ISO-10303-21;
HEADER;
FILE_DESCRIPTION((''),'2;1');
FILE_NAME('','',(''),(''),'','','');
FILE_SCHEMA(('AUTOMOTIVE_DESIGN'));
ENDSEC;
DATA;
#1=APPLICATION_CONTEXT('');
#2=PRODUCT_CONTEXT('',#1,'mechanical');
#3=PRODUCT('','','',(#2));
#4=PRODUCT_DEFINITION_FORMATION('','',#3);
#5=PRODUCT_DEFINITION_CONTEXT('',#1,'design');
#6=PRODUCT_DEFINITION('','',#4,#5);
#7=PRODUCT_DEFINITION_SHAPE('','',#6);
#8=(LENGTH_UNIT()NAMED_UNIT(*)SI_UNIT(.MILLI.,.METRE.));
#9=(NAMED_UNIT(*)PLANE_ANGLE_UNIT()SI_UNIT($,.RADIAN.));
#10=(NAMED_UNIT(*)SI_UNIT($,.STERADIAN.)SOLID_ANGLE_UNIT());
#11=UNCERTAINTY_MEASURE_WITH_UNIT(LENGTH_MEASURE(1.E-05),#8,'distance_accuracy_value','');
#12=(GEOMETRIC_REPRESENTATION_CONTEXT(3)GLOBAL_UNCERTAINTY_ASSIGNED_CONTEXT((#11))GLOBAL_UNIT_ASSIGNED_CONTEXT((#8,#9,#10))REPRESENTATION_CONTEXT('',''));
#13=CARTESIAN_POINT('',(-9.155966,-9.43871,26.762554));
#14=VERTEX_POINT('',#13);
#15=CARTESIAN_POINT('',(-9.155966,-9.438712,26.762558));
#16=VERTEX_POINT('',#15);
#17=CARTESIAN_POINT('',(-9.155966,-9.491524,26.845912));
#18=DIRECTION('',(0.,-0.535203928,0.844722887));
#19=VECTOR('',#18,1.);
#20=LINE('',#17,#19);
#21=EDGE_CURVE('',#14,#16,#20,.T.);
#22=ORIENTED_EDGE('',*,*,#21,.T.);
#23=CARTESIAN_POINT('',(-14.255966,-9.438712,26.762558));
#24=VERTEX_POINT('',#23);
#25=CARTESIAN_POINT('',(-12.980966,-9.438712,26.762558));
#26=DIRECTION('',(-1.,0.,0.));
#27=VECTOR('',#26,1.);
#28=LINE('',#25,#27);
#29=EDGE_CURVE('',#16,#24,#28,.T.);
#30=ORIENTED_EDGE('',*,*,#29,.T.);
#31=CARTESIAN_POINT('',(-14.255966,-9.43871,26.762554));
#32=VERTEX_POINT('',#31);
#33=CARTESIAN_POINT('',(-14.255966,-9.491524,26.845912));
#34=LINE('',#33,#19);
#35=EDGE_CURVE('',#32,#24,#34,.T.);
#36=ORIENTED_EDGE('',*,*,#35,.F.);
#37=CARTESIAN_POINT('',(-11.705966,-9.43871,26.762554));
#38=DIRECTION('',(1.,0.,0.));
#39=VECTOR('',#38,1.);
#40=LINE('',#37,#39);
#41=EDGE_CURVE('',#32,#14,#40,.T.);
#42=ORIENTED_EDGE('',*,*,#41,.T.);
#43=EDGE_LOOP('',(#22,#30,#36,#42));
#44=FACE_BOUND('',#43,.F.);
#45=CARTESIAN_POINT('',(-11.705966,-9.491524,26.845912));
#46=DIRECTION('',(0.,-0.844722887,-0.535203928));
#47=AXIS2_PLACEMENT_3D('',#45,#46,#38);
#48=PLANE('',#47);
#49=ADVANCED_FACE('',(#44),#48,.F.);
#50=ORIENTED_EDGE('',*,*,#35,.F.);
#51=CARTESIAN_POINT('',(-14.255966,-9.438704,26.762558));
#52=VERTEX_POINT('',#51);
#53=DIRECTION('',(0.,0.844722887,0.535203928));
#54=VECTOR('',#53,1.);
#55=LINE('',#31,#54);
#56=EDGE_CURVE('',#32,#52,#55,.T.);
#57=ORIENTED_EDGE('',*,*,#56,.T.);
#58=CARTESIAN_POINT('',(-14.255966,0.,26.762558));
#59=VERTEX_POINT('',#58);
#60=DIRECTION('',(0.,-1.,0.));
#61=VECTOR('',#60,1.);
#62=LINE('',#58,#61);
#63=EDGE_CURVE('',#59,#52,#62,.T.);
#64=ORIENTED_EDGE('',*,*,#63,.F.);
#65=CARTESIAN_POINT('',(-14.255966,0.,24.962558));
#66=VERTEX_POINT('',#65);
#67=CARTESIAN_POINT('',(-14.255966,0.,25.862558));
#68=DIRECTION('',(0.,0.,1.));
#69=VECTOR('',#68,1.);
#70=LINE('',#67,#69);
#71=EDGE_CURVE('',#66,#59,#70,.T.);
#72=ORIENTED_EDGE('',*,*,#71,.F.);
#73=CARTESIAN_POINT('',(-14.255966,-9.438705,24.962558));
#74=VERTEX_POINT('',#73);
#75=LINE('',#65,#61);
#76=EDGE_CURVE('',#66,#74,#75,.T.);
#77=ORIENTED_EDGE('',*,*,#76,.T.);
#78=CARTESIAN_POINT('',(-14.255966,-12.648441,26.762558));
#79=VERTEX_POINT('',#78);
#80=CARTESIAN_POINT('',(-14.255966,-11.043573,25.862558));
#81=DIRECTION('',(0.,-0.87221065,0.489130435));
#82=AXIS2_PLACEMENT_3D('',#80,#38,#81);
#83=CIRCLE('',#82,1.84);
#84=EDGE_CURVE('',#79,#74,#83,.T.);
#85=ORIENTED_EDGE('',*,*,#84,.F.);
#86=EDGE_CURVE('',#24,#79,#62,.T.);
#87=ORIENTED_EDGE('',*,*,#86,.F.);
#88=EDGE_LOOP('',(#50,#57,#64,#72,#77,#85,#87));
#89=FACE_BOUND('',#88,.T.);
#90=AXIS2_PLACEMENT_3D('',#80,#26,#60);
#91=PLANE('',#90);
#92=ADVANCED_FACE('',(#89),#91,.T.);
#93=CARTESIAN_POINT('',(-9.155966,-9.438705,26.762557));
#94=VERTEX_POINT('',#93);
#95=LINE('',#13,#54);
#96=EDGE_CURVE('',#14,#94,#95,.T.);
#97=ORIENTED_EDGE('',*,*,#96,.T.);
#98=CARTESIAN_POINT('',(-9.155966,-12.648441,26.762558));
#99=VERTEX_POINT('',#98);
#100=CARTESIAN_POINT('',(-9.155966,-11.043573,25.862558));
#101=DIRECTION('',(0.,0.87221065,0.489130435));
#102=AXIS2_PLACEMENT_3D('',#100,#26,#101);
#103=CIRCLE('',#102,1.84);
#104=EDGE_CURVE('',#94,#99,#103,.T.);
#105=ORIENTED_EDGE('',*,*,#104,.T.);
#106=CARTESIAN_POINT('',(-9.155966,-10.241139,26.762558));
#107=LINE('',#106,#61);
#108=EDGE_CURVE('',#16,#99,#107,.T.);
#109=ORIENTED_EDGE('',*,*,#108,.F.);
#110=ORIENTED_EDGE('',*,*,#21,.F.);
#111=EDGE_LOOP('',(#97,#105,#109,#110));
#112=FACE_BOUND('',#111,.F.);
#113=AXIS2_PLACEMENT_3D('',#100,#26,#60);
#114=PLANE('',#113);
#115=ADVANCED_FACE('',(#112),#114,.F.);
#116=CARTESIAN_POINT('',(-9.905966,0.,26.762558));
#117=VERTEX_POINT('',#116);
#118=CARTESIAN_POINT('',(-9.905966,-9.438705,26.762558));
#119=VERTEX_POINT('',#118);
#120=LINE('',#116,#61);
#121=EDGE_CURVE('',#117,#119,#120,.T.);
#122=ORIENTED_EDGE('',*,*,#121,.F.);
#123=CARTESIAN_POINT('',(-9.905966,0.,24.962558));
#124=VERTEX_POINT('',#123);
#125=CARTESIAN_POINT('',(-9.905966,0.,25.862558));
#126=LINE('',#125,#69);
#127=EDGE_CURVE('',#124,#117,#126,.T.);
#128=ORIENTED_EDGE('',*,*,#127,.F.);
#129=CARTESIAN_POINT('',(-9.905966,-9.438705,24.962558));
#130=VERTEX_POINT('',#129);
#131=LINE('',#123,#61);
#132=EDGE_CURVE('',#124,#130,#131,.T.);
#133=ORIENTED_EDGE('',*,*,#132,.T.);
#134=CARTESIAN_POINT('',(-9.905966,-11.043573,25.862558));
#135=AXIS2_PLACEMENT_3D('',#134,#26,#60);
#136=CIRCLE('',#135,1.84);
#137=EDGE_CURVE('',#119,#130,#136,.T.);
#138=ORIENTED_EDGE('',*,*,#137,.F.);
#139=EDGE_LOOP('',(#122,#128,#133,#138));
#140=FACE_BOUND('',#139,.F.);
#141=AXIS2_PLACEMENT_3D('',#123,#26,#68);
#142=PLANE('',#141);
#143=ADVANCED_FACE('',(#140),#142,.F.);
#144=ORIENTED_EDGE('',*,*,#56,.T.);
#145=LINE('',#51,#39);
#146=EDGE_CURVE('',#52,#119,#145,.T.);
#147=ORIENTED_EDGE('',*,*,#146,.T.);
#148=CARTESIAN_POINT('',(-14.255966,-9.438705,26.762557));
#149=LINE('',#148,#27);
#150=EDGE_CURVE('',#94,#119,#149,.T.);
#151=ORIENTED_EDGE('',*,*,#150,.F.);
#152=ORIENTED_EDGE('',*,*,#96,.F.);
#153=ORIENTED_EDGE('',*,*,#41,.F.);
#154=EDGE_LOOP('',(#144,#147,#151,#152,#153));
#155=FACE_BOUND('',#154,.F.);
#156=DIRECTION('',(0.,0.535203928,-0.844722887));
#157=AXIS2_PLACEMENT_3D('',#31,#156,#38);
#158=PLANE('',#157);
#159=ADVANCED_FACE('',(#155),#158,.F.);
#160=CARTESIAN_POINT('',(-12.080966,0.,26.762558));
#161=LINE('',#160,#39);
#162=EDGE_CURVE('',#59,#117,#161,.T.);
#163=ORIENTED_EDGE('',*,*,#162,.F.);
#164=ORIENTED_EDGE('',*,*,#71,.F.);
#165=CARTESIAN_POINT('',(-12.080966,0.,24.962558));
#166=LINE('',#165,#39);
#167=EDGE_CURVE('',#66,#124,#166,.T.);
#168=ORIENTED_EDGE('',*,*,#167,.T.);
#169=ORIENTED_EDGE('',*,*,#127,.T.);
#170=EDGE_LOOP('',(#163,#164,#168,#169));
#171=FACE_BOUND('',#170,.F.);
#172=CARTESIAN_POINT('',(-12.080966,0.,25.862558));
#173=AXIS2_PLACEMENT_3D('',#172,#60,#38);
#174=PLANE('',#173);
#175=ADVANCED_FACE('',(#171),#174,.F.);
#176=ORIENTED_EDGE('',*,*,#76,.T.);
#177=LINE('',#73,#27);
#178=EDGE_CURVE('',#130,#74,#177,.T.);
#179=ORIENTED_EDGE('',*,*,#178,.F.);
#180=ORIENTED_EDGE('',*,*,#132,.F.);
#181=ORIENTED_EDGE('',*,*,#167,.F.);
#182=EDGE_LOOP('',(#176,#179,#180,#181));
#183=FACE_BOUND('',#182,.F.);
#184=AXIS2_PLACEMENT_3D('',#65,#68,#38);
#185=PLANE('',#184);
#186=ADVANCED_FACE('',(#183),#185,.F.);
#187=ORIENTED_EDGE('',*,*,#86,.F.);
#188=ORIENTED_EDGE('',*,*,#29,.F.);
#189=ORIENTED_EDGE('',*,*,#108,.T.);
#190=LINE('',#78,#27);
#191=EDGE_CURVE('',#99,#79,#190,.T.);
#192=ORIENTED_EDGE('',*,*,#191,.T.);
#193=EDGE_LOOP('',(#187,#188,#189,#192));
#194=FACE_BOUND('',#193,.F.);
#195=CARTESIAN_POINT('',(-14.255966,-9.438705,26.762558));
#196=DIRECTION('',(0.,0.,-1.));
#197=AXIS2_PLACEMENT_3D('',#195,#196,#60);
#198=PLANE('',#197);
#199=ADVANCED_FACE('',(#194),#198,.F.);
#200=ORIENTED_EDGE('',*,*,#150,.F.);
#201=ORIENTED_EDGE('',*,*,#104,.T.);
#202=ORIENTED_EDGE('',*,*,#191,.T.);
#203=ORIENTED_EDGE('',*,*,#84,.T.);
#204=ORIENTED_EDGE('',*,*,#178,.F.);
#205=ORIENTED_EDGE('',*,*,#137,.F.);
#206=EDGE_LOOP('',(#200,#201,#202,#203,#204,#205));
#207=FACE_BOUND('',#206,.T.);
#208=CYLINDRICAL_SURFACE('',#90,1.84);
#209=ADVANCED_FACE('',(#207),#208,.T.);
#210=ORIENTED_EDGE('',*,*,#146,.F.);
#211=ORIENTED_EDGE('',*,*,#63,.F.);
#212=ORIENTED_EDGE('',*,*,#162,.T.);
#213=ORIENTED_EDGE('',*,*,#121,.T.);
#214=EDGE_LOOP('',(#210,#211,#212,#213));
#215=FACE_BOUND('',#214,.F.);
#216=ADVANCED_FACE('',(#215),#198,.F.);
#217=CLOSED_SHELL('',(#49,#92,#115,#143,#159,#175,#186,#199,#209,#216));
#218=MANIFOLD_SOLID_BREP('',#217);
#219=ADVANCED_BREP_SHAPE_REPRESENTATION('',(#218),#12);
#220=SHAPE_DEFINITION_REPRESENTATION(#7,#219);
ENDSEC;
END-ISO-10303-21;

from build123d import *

# Parameters (mm, degrees)
F0_W     = 4.35
F0_H     = 1.8
F1_DEPTH = 11.7
F2_R     = 1.84
F3_DEPTH = 5.1
F5_DEPTH = 25
F6_W     = 5.1
F6_H     = 0.197361
F7_DEPTH = 25


with BuildPart() as f1:
    # F0 (on Front) → F1 (new body)
    with BuildSketch(Plane.XZ):
        with Locations((-12.080966, 25.862558)):
            Rectangle(F0_W, F0_H)
    extrude(amount=F1_DEPTH)

    # F2 (on face) → F3 (join)
    with BuildSketch(Plane(origin=(-14.255966, 0, 0), x_dir=(0, -1, 0), z_dir=(-1, 0, 0))):
        with Locations((11.043573, 25.862558)):
            Circle(F2_R)
    extrude(amount=-F3_DEPTH)

    # F4 (on face) → F5 (cut)
    with BuildSketch(Plane(origin=(-14.255966, 0, 0), x_dir=(0, -1, 0), z_dir=(-1, 0, 0))):
        Polygon((10.555248, 28.524822), (9.438705, 26.762558), (31.722508, 26.762558), align=None)
    extrude(amount=-F5_DEPTH, mode=Mode.SUBTRACT)

    # F6 (on face) → F7 (cut)
    with BuildSketch(Plane(origin=(0, 5.36427, 3.39872), x_dir=(1, 0, 0), z_dir=(0, -0.844723, -0.535204))):
        with Locations((-11.705966, 27.757259)):
            Rectangle(F6_W, F6_H)
    extrude(amount=-F7_DEPTH, mode=Mode.SUBTRACT)


solid = f1.part
